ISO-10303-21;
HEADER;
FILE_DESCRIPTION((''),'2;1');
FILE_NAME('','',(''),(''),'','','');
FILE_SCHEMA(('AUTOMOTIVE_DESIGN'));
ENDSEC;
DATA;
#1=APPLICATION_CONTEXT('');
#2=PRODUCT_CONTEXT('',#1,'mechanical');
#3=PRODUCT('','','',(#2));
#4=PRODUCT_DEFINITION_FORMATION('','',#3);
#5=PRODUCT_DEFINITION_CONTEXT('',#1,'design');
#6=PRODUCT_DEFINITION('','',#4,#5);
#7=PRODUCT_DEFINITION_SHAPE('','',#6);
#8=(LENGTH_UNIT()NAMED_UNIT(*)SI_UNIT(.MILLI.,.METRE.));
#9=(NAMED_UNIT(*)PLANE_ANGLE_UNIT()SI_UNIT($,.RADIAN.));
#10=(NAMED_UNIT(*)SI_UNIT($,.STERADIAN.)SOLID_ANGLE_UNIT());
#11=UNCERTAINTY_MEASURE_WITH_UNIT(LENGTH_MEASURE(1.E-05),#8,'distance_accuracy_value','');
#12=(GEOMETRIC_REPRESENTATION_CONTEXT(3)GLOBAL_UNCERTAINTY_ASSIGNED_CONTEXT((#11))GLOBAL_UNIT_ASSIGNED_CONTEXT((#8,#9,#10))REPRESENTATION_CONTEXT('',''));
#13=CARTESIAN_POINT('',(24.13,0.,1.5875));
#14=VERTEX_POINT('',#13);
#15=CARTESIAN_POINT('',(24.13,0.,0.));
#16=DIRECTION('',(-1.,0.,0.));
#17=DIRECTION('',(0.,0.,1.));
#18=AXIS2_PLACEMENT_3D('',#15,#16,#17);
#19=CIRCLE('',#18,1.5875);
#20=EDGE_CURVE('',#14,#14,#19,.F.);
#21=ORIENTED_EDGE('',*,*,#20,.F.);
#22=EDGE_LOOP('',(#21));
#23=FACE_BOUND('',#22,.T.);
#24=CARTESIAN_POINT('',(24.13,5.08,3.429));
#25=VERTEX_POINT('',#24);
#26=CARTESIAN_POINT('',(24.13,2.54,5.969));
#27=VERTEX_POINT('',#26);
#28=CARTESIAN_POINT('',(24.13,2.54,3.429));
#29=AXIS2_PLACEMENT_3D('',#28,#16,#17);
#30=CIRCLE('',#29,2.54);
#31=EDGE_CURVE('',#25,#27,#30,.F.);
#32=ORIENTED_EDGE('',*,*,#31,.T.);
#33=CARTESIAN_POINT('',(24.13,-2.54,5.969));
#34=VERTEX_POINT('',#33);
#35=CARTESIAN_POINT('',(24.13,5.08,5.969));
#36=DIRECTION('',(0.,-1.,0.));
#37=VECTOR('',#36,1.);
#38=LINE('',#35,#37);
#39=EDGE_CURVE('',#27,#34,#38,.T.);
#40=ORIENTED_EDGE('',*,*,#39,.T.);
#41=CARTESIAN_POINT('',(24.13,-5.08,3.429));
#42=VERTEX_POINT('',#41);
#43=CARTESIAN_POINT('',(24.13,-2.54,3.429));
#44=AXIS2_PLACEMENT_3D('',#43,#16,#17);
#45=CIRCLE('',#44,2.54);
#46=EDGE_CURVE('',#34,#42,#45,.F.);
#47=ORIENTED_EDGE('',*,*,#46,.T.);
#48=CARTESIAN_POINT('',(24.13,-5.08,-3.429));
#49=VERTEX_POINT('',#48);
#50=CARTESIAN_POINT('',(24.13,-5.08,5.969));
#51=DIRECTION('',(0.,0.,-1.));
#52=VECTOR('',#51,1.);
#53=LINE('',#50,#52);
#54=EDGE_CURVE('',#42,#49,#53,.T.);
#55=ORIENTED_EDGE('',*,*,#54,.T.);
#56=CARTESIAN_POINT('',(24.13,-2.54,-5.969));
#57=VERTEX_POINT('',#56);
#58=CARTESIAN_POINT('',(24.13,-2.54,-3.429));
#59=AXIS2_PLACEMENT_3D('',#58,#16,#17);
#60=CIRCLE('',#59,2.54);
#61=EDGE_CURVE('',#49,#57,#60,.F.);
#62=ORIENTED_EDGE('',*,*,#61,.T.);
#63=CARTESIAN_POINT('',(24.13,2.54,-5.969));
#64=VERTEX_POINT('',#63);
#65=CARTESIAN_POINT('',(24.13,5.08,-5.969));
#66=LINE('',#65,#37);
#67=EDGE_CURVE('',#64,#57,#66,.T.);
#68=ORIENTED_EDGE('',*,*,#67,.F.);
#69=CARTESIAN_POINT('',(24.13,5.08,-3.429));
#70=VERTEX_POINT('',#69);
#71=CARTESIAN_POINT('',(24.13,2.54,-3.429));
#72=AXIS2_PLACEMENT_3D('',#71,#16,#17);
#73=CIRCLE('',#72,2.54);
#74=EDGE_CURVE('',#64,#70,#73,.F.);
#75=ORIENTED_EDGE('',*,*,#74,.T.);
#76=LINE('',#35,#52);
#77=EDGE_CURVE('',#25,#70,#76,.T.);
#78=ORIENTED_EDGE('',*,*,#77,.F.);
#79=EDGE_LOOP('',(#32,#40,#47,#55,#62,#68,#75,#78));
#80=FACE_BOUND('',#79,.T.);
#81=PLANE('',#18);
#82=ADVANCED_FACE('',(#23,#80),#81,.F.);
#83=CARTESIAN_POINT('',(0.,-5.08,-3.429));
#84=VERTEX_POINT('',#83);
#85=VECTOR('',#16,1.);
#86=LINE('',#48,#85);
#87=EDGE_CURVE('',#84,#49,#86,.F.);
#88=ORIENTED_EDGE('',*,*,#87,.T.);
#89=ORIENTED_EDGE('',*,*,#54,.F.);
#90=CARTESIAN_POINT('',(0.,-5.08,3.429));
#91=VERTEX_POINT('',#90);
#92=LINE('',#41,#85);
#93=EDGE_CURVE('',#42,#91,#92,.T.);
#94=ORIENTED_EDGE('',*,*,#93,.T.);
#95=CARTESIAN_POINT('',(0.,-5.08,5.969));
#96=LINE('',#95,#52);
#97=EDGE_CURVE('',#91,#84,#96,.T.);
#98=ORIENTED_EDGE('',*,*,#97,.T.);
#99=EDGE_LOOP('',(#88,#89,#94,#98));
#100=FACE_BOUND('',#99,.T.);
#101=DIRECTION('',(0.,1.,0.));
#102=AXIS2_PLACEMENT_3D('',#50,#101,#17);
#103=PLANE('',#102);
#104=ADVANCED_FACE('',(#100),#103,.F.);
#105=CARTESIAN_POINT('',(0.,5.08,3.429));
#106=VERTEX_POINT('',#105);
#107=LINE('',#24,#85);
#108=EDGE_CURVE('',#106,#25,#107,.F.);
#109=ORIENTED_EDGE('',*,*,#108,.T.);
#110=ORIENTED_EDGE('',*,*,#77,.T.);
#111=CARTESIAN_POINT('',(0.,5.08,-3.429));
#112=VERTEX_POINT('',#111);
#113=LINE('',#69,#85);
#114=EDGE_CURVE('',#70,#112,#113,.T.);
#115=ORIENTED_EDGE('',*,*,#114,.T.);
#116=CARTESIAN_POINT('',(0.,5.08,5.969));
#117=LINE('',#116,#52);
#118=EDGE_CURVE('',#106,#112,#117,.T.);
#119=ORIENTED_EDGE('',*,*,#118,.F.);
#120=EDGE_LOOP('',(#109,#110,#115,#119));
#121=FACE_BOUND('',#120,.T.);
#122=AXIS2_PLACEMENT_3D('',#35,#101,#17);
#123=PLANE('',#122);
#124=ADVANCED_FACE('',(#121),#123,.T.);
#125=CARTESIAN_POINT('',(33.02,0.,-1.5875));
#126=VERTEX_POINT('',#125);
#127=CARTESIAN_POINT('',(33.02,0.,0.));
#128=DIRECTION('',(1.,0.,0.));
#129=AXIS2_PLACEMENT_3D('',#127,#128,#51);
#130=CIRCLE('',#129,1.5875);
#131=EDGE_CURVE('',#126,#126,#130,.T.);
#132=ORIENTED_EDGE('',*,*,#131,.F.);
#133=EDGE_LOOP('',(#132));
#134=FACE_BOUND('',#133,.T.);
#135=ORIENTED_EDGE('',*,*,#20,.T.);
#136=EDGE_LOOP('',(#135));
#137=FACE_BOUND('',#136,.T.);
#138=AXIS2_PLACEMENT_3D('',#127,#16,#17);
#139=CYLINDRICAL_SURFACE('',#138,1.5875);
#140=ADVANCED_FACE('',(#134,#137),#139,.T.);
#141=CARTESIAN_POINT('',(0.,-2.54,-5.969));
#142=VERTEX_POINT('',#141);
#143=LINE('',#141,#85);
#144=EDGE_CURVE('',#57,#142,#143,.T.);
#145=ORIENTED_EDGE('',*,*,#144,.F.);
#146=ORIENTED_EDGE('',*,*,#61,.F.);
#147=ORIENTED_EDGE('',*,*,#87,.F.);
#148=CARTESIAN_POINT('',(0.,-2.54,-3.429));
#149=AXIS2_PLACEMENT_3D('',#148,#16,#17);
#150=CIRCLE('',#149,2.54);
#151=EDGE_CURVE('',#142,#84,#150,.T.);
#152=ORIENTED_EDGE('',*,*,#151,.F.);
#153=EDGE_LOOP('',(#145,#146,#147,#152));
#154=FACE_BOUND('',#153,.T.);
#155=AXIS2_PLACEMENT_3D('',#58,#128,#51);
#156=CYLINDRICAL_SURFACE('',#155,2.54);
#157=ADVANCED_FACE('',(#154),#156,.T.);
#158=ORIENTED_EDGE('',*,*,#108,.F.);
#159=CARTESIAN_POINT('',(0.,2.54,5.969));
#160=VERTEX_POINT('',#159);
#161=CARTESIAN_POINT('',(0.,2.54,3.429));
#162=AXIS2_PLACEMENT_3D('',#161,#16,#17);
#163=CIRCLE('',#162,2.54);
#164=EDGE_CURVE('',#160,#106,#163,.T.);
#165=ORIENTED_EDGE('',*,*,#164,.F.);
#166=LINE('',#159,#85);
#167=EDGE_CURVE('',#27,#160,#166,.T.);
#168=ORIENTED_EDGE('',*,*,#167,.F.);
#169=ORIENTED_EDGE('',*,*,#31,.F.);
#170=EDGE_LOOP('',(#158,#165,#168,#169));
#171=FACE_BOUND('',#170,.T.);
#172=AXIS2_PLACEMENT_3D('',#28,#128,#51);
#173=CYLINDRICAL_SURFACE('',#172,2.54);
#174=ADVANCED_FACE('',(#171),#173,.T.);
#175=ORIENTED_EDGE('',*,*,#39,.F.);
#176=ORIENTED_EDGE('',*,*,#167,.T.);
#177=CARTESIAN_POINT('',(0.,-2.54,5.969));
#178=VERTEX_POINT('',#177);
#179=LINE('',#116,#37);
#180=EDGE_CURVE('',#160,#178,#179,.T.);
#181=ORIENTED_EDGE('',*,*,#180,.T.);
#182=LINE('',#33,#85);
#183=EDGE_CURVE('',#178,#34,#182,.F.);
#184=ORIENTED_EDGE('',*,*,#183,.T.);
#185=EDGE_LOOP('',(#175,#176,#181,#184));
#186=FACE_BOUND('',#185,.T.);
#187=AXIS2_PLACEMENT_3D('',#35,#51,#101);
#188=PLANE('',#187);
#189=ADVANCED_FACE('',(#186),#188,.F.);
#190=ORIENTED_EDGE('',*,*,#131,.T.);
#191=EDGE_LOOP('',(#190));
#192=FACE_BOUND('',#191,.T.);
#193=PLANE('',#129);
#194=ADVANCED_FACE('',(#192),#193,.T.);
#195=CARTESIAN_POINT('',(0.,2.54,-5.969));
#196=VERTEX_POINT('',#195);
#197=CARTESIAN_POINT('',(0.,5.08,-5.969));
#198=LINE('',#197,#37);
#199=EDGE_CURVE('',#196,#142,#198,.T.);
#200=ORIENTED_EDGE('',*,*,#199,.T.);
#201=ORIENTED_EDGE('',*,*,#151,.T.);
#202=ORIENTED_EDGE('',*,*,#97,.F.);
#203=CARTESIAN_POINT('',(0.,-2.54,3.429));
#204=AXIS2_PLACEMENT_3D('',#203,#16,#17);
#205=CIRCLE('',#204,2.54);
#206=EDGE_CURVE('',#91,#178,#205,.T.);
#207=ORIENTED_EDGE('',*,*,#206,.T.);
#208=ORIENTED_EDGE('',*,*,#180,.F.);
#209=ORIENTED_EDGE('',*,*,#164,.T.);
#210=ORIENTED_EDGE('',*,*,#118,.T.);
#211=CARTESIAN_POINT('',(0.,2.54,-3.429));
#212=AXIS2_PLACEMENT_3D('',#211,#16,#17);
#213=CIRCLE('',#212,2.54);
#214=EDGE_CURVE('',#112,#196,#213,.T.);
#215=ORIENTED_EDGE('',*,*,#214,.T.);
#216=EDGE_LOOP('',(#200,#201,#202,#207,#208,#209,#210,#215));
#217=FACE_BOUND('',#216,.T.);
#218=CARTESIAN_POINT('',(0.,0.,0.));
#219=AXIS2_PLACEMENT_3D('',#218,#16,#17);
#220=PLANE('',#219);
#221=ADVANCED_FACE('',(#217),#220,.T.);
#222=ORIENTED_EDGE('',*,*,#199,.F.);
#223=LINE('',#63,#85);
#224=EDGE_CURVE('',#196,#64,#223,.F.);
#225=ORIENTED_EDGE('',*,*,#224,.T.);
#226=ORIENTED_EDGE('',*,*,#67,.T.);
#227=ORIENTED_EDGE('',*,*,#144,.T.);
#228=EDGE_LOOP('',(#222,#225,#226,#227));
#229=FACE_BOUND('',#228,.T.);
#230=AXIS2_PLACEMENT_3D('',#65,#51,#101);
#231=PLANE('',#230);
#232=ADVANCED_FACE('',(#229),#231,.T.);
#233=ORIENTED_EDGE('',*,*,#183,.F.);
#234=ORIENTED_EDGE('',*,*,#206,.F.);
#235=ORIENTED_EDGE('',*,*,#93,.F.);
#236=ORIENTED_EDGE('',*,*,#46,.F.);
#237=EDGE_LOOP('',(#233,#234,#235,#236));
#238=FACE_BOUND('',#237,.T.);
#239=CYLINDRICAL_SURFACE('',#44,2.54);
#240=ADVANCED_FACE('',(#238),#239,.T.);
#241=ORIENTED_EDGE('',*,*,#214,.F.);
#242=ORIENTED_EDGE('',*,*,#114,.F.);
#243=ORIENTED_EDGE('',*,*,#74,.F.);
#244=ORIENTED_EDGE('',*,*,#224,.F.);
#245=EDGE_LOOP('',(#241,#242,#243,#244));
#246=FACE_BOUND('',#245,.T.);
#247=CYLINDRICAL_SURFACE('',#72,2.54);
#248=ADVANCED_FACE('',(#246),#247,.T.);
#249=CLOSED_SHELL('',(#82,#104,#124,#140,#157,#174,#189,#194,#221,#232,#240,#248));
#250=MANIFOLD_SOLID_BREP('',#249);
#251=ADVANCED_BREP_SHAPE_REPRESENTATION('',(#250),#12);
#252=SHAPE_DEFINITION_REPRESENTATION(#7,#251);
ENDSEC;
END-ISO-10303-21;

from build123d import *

# Parameters (mm, degrees)
SKETCH1_W           = 11.938
SKETCH1_H           = 10.16
BOSS_EXTRUDE1_DEPTH = 24.13
SKETCH2_R           = 1.5875
BOSS_EXTRUDE2_DEPTH = 8.89
FILLET1_R           = 2.54


with BuildPart() as part:
    # Sketch1 → Boss-Extrude1 (new body)
    with BuildSketch(Plane(origin=(0, 0, 0), x_dir=(0, 0, -1), z_dir=(1, 0, 0))):
        Rectangle(SKETCH1_W, SKETCH1_H)
    extrude(amount=BOSS_EXTRUDE1_DEPTH)

    # Sketch2 → Boss-Extrude2 (add)
    with BuildSketch(Plane(origin=(24.13, 0, 0), x_dir=(0, 0, -1), z_dir=(1, 0, 0))):
        with Locations(Location((0, 0, 0), (0, 0, 180))):
            Circle(SKETCH2_R)
    extrude(amount=BOSS_EXTRUDE2_DEPTH)

    # Fillet1
    fillet1_edges = [part.edges().sort_by_distance(p)[0] for p in [
        (12.065, 5.08, 5.969),
        (12.065, -5.08, 5.969),
        (12.065, -5.08, -5.969),
        (12.065, 5.08, -5.969),
    ]]
    fillet(fillet1_edges, radius=FILLET1_R)


solid = part.part
